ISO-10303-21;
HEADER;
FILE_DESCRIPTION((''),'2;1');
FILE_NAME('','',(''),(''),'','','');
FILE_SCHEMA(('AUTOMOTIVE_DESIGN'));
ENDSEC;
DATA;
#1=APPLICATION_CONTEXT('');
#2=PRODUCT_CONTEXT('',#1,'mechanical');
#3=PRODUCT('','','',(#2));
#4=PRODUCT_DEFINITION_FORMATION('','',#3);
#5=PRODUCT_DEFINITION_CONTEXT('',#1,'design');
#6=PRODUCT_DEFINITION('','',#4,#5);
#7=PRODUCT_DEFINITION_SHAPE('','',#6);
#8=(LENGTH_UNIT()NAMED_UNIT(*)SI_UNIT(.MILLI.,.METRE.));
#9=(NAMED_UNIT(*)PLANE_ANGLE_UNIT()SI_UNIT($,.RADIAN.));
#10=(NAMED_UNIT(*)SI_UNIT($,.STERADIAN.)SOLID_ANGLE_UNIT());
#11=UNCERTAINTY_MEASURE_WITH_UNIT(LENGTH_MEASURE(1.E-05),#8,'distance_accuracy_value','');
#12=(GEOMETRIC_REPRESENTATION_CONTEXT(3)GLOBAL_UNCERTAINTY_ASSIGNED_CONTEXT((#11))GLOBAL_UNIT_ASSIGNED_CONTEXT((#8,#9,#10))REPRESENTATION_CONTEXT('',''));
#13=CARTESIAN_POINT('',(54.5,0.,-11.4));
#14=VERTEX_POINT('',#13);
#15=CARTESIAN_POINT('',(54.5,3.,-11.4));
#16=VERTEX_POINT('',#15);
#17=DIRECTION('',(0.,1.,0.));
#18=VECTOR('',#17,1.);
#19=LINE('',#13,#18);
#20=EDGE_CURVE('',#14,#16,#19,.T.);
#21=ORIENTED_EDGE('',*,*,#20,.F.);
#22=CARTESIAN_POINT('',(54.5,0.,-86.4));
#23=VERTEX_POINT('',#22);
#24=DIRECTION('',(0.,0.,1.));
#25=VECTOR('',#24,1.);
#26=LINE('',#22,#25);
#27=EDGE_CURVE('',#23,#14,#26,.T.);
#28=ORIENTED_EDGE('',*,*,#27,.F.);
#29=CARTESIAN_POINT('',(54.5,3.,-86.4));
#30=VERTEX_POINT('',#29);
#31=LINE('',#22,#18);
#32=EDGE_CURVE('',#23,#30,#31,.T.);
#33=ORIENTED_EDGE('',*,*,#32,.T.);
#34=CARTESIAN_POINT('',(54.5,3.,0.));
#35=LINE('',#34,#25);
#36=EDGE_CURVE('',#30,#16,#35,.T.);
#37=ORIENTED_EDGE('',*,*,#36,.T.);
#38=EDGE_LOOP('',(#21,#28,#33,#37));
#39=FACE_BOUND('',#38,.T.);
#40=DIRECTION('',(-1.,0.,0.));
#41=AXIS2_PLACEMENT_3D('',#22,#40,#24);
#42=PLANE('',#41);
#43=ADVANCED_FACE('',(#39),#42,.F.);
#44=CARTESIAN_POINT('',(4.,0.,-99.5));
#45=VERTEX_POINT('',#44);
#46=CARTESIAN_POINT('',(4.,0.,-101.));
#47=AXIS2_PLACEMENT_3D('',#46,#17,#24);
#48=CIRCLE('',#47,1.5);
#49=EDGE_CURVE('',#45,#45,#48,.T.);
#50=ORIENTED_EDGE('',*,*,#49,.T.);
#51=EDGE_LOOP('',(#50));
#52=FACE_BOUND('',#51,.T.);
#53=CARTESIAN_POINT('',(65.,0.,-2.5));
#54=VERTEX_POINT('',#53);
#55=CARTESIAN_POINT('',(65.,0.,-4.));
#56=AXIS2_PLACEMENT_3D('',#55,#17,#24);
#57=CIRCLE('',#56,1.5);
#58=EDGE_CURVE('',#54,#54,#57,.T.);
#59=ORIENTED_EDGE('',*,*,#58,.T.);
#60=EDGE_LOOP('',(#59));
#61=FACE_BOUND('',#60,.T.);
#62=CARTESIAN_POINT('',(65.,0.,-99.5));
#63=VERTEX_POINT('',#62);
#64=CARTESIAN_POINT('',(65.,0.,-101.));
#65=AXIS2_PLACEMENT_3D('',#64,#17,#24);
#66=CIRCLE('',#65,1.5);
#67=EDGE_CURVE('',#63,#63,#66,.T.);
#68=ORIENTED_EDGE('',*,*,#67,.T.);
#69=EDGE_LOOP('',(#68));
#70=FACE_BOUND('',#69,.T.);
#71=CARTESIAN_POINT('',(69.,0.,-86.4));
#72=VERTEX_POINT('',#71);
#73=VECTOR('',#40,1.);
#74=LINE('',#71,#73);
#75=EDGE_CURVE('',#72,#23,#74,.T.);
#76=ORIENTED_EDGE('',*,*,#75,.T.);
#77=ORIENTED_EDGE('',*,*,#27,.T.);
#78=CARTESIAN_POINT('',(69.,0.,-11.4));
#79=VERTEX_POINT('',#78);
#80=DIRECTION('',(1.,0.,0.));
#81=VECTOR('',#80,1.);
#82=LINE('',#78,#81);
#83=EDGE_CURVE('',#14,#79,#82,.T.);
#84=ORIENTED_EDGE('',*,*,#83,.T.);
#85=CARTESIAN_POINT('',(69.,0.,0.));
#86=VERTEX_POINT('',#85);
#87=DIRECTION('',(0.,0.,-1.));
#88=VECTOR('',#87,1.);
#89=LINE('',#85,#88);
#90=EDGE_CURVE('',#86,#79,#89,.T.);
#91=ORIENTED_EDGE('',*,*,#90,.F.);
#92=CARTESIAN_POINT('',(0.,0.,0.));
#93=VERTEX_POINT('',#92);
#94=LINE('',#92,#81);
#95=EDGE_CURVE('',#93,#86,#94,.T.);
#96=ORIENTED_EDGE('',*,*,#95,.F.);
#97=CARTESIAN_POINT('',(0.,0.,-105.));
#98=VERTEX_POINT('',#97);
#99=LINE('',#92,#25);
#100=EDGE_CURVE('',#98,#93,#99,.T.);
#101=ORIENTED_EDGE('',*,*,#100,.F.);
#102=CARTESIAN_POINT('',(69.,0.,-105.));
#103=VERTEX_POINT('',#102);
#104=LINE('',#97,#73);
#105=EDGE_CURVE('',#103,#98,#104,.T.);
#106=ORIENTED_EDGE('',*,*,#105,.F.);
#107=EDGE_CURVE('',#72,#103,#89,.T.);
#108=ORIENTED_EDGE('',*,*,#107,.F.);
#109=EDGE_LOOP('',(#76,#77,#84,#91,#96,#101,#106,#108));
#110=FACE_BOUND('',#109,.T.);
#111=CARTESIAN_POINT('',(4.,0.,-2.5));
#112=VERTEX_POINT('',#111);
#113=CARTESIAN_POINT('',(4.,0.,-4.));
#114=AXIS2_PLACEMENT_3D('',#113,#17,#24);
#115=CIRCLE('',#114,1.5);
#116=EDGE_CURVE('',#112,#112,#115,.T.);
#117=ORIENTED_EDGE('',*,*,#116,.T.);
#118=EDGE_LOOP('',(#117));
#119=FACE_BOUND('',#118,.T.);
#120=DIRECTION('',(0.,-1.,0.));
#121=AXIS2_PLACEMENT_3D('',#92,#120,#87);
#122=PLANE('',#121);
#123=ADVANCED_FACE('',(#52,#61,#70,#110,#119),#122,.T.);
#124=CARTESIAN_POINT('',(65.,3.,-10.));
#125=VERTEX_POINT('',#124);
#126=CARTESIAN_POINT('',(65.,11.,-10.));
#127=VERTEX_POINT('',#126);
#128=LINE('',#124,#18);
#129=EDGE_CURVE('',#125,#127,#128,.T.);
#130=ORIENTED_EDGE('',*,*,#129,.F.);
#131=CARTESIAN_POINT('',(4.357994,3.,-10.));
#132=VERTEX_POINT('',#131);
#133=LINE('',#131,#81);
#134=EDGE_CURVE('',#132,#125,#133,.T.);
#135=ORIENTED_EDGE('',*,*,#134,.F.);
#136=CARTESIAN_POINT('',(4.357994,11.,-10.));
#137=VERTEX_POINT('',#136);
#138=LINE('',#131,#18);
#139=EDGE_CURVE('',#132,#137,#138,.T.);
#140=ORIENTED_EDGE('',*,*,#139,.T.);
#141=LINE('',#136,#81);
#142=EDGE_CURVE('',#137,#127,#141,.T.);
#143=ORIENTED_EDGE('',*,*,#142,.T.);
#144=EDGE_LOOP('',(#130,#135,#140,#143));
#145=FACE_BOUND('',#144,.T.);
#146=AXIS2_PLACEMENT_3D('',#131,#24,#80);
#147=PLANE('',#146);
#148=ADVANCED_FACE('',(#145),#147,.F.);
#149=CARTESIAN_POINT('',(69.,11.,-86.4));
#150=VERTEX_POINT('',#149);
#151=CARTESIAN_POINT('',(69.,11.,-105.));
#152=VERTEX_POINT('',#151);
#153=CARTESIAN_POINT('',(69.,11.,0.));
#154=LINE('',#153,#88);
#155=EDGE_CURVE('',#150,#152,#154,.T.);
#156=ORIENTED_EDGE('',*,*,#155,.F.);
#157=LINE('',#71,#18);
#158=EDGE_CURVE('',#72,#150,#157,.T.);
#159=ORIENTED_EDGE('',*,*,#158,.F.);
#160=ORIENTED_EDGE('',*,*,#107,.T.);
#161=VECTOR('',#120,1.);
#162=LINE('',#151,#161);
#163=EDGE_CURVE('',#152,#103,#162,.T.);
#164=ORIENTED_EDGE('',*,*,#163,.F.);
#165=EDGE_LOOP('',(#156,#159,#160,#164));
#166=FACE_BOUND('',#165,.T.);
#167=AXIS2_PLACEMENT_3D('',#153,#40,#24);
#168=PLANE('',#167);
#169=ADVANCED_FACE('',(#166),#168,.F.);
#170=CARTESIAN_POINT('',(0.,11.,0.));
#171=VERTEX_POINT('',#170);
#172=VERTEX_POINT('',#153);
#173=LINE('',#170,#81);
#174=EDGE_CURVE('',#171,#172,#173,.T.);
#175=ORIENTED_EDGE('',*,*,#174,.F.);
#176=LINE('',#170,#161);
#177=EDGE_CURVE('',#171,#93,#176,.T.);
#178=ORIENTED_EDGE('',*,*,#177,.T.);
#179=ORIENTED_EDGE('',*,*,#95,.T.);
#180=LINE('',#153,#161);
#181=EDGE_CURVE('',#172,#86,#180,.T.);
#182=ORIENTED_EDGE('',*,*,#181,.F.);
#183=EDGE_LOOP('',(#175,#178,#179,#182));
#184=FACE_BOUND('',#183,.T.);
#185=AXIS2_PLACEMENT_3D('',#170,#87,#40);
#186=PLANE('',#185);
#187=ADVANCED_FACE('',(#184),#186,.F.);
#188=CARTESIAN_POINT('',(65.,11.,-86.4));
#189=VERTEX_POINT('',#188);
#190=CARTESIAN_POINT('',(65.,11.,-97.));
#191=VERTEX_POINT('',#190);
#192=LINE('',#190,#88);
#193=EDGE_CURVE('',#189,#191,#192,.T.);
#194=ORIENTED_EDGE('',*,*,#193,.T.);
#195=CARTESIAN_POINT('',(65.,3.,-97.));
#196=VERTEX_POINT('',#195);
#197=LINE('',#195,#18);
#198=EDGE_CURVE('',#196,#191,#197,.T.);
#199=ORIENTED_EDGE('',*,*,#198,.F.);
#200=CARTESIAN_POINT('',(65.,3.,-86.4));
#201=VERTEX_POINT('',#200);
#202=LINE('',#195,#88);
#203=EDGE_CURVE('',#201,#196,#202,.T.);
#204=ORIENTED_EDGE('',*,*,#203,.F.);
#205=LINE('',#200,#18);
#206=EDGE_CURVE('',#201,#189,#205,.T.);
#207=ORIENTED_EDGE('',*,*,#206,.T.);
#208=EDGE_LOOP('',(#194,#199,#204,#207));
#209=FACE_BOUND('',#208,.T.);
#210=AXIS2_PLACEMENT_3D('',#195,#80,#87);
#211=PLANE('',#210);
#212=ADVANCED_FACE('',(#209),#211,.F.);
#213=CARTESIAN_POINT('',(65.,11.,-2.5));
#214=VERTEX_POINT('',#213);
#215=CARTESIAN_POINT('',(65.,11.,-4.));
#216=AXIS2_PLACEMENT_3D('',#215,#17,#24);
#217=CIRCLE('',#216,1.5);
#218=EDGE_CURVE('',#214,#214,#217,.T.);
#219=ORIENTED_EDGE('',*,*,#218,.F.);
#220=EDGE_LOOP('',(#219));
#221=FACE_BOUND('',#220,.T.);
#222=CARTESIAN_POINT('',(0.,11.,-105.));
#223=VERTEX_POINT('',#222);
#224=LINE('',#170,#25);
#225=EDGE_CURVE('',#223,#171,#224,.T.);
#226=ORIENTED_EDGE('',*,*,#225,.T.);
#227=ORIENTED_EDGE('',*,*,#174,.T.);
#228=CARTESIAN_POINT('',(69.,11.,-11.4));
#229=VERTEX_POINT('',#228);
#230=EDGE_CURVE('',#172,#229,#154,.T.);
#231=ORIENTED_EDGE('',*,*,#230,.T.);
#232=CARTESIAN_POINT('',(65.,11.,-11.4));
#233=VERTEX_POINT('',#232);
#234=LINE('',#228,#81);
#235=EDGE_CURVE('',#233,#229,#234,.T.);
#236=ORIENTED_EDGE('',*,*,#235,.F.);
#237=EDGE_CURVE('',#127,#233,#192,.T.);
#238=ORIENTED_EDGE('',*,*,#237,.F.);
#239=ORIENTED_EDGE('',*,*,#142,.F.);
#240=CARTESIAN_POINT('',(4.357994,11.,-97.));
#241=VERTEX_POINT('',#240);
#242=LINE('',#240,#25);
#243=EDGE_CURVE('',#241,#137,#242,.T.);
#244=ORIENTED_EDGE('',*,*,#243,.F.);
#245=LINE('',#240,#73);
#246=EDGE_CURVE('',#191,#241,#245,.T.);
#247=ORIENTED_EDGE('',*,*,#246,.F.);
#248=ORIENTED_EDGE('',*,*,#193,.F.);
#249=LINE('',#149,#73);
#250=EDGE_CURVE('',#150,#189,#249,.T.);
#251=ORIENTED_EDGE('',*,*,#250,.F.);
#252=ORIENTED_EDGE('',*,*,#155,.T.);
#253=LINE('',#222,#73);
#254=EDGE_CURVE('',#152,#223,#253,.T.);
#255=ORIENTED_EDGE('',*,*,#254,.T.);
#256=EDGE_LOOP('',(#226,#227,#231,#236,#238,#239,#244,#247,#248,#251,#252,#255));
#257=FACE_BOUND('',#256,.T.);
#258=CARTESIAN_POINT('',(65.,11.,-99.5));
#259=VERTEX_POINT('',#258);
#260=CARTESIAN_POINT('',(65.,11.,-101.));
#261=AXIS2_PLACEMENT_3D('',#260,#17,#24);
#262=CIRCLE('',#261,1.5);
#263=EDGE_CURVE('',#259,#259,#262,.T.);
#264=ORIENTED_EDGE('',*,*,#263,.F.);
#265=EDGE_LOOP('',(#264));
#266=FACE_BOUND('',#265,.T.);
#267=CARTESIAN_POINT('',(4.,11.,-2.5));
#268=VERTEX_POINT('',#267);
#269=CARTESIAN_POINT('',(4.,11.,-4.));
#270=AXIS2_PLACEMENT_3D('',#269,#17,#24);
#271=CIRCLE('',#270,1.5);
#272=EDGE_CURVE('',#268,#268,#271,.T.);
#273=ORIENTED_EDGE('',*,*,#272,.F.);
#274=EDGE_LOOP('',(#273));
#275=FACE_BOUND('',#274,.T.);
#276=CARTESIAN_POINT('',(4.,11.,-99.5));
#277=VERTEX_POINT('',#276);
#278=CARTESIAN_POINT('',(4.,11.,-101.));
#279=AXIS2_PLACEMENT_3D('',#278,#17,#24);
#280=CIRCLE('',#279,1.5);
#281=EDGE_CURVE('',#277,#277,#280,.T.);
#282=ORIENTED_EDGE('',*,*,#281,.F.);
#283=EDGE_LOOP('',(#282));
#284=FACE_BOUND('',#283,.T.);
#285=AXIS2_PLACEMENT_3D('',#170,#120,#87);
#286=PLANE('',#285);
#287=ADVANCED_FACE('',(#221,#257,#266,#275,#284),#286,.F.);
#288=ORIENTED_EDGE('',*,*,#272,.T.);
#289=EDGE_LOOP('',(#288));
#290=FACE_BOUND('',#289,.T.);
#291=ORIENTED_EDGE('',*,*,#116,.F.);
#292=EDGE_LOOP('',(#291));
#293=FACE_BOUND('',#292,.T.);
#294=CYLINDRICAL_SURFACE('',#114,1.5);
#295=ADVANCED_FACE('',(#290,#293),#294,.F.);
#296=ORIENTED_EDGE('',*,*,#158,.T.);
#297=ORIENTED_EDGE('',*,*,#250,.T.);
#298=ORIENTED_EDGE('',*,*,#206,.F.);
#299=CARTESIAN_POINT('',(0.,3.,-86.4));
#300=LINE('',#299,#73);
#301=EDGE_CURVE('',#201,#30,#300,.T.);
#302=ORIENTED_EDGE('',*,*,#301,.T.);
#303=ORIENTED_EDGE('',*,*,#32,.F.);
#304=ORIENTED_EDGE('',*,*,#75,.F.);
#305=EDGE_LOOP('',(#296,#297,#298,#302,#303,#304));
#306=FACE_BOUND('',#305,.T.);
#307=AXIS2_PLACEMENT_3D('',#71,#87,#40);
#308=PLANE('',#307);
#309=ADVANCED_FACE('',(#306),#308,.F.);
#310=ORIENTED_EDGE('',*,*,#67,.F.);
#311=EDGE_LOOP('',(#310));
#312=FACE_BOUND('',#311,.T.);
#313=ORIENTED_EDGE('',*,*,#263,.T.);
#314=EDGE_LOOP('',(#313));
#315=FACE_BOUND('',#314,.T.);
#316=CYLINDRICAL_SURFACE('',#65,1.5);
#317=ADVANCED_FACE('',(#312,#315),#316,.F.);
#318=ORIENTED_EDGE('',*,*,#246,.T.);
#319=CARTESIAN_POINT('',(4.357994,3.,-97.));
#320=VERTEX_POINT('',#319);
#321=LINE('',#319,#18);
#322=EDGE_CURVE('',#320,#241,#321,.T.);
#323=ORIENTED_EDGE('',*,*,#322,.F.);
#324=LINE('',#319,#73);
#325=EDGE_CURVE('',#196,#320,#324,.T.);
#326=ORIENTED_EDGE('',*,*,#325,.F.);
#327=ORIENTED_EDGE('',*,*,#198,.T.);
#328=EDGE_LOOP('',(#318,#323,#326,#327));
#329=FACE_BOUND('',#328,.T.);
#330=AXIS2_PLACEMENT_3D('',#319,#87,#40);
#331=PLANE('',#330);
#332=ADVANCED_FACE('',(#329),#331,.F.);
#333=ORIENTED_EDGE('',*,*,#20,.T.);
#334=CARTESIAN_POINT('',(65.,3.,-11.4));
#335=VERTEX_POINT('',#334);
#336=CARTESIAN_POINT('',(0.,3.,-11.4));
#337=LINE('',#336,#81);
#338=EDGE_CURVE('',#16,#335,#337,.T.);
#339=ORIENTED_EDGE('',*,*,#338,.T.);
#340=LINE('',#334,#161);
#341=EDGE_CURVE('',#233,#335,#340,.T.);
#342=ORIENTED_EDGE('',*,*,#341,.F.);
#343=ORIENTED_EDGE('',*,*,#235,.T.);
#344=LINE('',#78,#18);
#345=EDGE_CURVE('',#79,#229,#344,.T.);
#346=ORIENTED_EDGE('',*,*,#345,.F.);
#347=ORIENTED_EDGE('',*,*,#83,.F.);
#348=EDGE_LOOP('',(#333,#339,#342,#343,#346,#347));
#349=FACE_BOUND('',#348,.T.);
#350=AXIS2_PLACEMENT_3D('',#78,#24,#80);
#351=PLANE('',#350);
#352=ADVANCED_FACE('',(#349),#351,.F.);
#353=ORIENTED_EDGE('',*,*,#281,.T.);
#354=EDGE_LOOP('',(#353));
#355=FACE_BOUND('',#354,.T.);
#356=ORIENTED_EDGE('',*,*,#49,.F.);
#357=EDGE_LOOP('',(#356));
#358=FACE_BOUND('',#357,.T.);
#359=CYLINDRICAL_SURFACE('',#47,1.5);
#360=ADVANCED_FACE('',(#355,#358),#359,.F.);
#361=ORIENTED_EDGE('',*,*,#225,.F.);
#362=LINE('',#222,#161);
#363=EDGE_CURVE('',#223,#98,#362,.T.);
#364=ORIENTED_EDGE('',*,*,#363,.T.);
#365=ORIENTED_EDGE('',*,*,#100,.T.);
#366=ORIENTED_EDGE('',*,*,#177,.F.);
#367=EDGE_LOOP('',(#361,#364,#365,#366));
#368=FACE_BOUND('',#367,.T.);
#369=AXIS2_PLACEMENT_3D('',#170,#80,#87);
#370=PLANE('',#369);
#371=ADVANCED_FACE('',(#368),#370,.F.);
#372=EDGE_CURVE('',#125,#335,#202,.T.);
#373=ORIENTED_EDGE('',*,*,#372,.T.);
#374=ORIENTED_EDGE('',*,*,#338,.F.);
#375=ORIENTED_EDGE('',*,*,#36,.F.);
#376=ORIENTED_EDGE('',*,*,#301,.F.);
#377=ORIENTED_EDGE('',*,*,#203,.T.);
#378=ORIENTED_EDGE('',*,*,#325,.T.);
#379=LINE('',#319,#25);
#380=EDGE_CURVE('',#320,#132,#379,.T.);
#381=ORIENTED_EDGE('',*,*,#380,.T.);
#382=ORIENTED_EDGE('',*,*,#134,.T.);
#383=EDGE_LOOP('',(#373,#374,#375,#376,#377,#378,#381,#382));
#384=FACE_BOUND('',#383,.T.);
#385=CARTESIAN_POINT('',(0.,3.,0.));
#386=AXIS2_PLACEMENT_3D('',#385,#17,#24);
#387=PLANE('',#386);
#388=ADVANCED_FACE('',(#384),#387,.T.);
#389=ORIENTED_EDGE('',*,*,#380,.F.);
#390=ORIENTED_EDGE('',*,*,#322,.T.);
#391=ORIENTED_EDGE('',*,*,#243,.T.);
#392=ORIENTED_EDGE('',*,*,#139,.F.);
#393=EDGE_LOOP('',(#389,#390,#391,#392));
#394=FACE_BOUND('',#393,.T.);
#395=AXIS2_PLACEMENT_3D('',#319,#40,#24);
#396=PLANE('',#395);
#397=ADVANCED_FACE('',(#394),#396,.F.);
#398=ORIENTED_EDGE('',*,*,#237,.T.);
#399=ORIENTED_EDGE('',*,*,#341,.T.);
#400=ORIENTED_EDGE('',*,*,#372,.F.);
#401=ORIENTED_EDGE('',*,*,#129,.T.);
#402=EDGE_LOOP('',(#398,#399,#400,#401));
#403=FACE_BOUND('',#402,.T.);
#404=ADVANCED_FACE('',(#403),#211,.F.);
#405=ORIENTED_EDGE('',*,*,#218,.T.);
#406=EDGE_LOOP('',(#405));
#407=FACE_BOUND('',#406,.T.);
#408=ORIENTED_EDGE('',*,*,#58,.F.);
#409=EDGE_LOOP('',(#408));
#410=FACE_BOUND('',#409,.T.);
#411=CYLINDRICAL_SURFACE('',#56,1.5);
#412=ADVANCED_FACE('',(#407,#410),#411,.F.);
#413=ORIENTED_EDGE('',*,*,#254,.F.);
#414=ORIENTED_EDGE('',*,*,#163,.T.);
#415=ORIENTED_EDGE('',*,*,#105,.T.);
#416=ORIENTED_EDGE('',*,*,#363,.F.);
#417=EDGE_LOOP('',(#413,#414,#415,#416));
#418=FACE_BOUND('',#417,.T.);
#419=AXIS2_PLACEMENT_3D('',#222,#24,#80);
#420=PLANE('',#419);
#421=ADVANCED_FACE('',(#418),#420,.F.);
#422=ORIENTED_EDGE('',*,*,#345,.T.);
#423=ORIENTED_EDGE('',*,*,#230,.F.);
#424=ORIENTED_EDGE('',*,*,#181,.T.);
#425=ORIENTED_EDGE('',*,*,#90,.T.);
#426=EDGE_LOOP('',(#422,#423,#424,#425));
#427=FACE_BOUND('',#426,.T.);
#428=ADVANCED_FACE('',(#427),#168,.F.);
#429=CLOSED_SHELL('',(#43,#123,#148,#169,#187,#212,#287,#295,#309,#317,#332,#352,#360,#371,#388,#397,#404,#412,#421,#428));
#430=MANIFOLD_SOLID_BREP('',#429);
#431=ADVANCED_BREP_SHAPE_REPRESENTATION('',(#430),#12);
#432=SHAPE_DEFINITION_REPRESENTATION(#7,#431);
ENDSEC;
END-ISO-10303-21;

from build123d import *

# Parameters (mm, degrees)
SKETCH1_W           = 69
SKETCH1_H           = 105
BOSS_EXTRUDE2_DEPTH = 11
SKETCH3_W           = 60.642005931
SKETCH3_H           = 87
CUT_EXTRUDE1_DEPTH  = 8
SKETCH4_R           = 1.5
CUT_EXTRUDE2_DEPTH  = 12
SKETCH5_W           = 14.5
SKETCH5_H           = 75
CUT_EXTRUDE3_DEPTH  = 12


with BuildPart() as part:
    # Sketch1 → Boss-Extrude2 (new body)
    with BuildSketch(Plane(origin=(0, 0, 0), x_dir=(1, 0, 0), z_dir=(0, 1, 0))):
        with Locations((34.5, 52.5)):
            Rectangle(SKETCH1_W, SKETCH1_H)
    extrude(amount=BOSS_EXTRUDE2_DEPTH)

    # Sketch3 → Cut-Extrude1 (cut)
    with BuildSketch(Plane(origin=(0, 11, 0), x_dir=(1, 0, 0), z_dir=(0, 1, 0))):
        with Locations((34.678997035, 53.5)):
            Rectangle(SKETCH3_W, SKETCH3_H)
    extrude(amount=-CUT_EXTRUDE1_DEPTH, mode=Mode.SUBTRACT)

    # Sketch4 → Cut-Extrude2 (cut, through all)
    with BuildSketch(Plane(origin=(0, 11, 0), x_dir=(1, 0, 0), z_dir=(0, 1, 0))):
        with Locations((4, 101)):
            Circle(SKETCH4_R)
        with Locations((65, 101)):
            Circle(SKETCH4_R)
        with Locations((4, 4)):
            Circle(SKETCH4_R)
        with Locations((65, 4)):
            Circle(SKETCH4_R)
    extrude(amount=-CUT_EXTRUDE2_DEPTH, mode=Mode.SUBTRACT)

    # Sketch5 → Cut-Extrude3 (cut, through all)
    with BuildSketch(Plane(origin=(0, 11, 0), x_dir=(1, 0, 0), z_dir=(0, 1, 0))):
        with Locations((61.75, 48.9)):
            Rectangle(SKETCH5_W, SKETCH5_H)
    extrude(amount=-CUT_EXTRUDE3_DEPTH, mode=Mode.SUBTRACT)


solid = part.part
